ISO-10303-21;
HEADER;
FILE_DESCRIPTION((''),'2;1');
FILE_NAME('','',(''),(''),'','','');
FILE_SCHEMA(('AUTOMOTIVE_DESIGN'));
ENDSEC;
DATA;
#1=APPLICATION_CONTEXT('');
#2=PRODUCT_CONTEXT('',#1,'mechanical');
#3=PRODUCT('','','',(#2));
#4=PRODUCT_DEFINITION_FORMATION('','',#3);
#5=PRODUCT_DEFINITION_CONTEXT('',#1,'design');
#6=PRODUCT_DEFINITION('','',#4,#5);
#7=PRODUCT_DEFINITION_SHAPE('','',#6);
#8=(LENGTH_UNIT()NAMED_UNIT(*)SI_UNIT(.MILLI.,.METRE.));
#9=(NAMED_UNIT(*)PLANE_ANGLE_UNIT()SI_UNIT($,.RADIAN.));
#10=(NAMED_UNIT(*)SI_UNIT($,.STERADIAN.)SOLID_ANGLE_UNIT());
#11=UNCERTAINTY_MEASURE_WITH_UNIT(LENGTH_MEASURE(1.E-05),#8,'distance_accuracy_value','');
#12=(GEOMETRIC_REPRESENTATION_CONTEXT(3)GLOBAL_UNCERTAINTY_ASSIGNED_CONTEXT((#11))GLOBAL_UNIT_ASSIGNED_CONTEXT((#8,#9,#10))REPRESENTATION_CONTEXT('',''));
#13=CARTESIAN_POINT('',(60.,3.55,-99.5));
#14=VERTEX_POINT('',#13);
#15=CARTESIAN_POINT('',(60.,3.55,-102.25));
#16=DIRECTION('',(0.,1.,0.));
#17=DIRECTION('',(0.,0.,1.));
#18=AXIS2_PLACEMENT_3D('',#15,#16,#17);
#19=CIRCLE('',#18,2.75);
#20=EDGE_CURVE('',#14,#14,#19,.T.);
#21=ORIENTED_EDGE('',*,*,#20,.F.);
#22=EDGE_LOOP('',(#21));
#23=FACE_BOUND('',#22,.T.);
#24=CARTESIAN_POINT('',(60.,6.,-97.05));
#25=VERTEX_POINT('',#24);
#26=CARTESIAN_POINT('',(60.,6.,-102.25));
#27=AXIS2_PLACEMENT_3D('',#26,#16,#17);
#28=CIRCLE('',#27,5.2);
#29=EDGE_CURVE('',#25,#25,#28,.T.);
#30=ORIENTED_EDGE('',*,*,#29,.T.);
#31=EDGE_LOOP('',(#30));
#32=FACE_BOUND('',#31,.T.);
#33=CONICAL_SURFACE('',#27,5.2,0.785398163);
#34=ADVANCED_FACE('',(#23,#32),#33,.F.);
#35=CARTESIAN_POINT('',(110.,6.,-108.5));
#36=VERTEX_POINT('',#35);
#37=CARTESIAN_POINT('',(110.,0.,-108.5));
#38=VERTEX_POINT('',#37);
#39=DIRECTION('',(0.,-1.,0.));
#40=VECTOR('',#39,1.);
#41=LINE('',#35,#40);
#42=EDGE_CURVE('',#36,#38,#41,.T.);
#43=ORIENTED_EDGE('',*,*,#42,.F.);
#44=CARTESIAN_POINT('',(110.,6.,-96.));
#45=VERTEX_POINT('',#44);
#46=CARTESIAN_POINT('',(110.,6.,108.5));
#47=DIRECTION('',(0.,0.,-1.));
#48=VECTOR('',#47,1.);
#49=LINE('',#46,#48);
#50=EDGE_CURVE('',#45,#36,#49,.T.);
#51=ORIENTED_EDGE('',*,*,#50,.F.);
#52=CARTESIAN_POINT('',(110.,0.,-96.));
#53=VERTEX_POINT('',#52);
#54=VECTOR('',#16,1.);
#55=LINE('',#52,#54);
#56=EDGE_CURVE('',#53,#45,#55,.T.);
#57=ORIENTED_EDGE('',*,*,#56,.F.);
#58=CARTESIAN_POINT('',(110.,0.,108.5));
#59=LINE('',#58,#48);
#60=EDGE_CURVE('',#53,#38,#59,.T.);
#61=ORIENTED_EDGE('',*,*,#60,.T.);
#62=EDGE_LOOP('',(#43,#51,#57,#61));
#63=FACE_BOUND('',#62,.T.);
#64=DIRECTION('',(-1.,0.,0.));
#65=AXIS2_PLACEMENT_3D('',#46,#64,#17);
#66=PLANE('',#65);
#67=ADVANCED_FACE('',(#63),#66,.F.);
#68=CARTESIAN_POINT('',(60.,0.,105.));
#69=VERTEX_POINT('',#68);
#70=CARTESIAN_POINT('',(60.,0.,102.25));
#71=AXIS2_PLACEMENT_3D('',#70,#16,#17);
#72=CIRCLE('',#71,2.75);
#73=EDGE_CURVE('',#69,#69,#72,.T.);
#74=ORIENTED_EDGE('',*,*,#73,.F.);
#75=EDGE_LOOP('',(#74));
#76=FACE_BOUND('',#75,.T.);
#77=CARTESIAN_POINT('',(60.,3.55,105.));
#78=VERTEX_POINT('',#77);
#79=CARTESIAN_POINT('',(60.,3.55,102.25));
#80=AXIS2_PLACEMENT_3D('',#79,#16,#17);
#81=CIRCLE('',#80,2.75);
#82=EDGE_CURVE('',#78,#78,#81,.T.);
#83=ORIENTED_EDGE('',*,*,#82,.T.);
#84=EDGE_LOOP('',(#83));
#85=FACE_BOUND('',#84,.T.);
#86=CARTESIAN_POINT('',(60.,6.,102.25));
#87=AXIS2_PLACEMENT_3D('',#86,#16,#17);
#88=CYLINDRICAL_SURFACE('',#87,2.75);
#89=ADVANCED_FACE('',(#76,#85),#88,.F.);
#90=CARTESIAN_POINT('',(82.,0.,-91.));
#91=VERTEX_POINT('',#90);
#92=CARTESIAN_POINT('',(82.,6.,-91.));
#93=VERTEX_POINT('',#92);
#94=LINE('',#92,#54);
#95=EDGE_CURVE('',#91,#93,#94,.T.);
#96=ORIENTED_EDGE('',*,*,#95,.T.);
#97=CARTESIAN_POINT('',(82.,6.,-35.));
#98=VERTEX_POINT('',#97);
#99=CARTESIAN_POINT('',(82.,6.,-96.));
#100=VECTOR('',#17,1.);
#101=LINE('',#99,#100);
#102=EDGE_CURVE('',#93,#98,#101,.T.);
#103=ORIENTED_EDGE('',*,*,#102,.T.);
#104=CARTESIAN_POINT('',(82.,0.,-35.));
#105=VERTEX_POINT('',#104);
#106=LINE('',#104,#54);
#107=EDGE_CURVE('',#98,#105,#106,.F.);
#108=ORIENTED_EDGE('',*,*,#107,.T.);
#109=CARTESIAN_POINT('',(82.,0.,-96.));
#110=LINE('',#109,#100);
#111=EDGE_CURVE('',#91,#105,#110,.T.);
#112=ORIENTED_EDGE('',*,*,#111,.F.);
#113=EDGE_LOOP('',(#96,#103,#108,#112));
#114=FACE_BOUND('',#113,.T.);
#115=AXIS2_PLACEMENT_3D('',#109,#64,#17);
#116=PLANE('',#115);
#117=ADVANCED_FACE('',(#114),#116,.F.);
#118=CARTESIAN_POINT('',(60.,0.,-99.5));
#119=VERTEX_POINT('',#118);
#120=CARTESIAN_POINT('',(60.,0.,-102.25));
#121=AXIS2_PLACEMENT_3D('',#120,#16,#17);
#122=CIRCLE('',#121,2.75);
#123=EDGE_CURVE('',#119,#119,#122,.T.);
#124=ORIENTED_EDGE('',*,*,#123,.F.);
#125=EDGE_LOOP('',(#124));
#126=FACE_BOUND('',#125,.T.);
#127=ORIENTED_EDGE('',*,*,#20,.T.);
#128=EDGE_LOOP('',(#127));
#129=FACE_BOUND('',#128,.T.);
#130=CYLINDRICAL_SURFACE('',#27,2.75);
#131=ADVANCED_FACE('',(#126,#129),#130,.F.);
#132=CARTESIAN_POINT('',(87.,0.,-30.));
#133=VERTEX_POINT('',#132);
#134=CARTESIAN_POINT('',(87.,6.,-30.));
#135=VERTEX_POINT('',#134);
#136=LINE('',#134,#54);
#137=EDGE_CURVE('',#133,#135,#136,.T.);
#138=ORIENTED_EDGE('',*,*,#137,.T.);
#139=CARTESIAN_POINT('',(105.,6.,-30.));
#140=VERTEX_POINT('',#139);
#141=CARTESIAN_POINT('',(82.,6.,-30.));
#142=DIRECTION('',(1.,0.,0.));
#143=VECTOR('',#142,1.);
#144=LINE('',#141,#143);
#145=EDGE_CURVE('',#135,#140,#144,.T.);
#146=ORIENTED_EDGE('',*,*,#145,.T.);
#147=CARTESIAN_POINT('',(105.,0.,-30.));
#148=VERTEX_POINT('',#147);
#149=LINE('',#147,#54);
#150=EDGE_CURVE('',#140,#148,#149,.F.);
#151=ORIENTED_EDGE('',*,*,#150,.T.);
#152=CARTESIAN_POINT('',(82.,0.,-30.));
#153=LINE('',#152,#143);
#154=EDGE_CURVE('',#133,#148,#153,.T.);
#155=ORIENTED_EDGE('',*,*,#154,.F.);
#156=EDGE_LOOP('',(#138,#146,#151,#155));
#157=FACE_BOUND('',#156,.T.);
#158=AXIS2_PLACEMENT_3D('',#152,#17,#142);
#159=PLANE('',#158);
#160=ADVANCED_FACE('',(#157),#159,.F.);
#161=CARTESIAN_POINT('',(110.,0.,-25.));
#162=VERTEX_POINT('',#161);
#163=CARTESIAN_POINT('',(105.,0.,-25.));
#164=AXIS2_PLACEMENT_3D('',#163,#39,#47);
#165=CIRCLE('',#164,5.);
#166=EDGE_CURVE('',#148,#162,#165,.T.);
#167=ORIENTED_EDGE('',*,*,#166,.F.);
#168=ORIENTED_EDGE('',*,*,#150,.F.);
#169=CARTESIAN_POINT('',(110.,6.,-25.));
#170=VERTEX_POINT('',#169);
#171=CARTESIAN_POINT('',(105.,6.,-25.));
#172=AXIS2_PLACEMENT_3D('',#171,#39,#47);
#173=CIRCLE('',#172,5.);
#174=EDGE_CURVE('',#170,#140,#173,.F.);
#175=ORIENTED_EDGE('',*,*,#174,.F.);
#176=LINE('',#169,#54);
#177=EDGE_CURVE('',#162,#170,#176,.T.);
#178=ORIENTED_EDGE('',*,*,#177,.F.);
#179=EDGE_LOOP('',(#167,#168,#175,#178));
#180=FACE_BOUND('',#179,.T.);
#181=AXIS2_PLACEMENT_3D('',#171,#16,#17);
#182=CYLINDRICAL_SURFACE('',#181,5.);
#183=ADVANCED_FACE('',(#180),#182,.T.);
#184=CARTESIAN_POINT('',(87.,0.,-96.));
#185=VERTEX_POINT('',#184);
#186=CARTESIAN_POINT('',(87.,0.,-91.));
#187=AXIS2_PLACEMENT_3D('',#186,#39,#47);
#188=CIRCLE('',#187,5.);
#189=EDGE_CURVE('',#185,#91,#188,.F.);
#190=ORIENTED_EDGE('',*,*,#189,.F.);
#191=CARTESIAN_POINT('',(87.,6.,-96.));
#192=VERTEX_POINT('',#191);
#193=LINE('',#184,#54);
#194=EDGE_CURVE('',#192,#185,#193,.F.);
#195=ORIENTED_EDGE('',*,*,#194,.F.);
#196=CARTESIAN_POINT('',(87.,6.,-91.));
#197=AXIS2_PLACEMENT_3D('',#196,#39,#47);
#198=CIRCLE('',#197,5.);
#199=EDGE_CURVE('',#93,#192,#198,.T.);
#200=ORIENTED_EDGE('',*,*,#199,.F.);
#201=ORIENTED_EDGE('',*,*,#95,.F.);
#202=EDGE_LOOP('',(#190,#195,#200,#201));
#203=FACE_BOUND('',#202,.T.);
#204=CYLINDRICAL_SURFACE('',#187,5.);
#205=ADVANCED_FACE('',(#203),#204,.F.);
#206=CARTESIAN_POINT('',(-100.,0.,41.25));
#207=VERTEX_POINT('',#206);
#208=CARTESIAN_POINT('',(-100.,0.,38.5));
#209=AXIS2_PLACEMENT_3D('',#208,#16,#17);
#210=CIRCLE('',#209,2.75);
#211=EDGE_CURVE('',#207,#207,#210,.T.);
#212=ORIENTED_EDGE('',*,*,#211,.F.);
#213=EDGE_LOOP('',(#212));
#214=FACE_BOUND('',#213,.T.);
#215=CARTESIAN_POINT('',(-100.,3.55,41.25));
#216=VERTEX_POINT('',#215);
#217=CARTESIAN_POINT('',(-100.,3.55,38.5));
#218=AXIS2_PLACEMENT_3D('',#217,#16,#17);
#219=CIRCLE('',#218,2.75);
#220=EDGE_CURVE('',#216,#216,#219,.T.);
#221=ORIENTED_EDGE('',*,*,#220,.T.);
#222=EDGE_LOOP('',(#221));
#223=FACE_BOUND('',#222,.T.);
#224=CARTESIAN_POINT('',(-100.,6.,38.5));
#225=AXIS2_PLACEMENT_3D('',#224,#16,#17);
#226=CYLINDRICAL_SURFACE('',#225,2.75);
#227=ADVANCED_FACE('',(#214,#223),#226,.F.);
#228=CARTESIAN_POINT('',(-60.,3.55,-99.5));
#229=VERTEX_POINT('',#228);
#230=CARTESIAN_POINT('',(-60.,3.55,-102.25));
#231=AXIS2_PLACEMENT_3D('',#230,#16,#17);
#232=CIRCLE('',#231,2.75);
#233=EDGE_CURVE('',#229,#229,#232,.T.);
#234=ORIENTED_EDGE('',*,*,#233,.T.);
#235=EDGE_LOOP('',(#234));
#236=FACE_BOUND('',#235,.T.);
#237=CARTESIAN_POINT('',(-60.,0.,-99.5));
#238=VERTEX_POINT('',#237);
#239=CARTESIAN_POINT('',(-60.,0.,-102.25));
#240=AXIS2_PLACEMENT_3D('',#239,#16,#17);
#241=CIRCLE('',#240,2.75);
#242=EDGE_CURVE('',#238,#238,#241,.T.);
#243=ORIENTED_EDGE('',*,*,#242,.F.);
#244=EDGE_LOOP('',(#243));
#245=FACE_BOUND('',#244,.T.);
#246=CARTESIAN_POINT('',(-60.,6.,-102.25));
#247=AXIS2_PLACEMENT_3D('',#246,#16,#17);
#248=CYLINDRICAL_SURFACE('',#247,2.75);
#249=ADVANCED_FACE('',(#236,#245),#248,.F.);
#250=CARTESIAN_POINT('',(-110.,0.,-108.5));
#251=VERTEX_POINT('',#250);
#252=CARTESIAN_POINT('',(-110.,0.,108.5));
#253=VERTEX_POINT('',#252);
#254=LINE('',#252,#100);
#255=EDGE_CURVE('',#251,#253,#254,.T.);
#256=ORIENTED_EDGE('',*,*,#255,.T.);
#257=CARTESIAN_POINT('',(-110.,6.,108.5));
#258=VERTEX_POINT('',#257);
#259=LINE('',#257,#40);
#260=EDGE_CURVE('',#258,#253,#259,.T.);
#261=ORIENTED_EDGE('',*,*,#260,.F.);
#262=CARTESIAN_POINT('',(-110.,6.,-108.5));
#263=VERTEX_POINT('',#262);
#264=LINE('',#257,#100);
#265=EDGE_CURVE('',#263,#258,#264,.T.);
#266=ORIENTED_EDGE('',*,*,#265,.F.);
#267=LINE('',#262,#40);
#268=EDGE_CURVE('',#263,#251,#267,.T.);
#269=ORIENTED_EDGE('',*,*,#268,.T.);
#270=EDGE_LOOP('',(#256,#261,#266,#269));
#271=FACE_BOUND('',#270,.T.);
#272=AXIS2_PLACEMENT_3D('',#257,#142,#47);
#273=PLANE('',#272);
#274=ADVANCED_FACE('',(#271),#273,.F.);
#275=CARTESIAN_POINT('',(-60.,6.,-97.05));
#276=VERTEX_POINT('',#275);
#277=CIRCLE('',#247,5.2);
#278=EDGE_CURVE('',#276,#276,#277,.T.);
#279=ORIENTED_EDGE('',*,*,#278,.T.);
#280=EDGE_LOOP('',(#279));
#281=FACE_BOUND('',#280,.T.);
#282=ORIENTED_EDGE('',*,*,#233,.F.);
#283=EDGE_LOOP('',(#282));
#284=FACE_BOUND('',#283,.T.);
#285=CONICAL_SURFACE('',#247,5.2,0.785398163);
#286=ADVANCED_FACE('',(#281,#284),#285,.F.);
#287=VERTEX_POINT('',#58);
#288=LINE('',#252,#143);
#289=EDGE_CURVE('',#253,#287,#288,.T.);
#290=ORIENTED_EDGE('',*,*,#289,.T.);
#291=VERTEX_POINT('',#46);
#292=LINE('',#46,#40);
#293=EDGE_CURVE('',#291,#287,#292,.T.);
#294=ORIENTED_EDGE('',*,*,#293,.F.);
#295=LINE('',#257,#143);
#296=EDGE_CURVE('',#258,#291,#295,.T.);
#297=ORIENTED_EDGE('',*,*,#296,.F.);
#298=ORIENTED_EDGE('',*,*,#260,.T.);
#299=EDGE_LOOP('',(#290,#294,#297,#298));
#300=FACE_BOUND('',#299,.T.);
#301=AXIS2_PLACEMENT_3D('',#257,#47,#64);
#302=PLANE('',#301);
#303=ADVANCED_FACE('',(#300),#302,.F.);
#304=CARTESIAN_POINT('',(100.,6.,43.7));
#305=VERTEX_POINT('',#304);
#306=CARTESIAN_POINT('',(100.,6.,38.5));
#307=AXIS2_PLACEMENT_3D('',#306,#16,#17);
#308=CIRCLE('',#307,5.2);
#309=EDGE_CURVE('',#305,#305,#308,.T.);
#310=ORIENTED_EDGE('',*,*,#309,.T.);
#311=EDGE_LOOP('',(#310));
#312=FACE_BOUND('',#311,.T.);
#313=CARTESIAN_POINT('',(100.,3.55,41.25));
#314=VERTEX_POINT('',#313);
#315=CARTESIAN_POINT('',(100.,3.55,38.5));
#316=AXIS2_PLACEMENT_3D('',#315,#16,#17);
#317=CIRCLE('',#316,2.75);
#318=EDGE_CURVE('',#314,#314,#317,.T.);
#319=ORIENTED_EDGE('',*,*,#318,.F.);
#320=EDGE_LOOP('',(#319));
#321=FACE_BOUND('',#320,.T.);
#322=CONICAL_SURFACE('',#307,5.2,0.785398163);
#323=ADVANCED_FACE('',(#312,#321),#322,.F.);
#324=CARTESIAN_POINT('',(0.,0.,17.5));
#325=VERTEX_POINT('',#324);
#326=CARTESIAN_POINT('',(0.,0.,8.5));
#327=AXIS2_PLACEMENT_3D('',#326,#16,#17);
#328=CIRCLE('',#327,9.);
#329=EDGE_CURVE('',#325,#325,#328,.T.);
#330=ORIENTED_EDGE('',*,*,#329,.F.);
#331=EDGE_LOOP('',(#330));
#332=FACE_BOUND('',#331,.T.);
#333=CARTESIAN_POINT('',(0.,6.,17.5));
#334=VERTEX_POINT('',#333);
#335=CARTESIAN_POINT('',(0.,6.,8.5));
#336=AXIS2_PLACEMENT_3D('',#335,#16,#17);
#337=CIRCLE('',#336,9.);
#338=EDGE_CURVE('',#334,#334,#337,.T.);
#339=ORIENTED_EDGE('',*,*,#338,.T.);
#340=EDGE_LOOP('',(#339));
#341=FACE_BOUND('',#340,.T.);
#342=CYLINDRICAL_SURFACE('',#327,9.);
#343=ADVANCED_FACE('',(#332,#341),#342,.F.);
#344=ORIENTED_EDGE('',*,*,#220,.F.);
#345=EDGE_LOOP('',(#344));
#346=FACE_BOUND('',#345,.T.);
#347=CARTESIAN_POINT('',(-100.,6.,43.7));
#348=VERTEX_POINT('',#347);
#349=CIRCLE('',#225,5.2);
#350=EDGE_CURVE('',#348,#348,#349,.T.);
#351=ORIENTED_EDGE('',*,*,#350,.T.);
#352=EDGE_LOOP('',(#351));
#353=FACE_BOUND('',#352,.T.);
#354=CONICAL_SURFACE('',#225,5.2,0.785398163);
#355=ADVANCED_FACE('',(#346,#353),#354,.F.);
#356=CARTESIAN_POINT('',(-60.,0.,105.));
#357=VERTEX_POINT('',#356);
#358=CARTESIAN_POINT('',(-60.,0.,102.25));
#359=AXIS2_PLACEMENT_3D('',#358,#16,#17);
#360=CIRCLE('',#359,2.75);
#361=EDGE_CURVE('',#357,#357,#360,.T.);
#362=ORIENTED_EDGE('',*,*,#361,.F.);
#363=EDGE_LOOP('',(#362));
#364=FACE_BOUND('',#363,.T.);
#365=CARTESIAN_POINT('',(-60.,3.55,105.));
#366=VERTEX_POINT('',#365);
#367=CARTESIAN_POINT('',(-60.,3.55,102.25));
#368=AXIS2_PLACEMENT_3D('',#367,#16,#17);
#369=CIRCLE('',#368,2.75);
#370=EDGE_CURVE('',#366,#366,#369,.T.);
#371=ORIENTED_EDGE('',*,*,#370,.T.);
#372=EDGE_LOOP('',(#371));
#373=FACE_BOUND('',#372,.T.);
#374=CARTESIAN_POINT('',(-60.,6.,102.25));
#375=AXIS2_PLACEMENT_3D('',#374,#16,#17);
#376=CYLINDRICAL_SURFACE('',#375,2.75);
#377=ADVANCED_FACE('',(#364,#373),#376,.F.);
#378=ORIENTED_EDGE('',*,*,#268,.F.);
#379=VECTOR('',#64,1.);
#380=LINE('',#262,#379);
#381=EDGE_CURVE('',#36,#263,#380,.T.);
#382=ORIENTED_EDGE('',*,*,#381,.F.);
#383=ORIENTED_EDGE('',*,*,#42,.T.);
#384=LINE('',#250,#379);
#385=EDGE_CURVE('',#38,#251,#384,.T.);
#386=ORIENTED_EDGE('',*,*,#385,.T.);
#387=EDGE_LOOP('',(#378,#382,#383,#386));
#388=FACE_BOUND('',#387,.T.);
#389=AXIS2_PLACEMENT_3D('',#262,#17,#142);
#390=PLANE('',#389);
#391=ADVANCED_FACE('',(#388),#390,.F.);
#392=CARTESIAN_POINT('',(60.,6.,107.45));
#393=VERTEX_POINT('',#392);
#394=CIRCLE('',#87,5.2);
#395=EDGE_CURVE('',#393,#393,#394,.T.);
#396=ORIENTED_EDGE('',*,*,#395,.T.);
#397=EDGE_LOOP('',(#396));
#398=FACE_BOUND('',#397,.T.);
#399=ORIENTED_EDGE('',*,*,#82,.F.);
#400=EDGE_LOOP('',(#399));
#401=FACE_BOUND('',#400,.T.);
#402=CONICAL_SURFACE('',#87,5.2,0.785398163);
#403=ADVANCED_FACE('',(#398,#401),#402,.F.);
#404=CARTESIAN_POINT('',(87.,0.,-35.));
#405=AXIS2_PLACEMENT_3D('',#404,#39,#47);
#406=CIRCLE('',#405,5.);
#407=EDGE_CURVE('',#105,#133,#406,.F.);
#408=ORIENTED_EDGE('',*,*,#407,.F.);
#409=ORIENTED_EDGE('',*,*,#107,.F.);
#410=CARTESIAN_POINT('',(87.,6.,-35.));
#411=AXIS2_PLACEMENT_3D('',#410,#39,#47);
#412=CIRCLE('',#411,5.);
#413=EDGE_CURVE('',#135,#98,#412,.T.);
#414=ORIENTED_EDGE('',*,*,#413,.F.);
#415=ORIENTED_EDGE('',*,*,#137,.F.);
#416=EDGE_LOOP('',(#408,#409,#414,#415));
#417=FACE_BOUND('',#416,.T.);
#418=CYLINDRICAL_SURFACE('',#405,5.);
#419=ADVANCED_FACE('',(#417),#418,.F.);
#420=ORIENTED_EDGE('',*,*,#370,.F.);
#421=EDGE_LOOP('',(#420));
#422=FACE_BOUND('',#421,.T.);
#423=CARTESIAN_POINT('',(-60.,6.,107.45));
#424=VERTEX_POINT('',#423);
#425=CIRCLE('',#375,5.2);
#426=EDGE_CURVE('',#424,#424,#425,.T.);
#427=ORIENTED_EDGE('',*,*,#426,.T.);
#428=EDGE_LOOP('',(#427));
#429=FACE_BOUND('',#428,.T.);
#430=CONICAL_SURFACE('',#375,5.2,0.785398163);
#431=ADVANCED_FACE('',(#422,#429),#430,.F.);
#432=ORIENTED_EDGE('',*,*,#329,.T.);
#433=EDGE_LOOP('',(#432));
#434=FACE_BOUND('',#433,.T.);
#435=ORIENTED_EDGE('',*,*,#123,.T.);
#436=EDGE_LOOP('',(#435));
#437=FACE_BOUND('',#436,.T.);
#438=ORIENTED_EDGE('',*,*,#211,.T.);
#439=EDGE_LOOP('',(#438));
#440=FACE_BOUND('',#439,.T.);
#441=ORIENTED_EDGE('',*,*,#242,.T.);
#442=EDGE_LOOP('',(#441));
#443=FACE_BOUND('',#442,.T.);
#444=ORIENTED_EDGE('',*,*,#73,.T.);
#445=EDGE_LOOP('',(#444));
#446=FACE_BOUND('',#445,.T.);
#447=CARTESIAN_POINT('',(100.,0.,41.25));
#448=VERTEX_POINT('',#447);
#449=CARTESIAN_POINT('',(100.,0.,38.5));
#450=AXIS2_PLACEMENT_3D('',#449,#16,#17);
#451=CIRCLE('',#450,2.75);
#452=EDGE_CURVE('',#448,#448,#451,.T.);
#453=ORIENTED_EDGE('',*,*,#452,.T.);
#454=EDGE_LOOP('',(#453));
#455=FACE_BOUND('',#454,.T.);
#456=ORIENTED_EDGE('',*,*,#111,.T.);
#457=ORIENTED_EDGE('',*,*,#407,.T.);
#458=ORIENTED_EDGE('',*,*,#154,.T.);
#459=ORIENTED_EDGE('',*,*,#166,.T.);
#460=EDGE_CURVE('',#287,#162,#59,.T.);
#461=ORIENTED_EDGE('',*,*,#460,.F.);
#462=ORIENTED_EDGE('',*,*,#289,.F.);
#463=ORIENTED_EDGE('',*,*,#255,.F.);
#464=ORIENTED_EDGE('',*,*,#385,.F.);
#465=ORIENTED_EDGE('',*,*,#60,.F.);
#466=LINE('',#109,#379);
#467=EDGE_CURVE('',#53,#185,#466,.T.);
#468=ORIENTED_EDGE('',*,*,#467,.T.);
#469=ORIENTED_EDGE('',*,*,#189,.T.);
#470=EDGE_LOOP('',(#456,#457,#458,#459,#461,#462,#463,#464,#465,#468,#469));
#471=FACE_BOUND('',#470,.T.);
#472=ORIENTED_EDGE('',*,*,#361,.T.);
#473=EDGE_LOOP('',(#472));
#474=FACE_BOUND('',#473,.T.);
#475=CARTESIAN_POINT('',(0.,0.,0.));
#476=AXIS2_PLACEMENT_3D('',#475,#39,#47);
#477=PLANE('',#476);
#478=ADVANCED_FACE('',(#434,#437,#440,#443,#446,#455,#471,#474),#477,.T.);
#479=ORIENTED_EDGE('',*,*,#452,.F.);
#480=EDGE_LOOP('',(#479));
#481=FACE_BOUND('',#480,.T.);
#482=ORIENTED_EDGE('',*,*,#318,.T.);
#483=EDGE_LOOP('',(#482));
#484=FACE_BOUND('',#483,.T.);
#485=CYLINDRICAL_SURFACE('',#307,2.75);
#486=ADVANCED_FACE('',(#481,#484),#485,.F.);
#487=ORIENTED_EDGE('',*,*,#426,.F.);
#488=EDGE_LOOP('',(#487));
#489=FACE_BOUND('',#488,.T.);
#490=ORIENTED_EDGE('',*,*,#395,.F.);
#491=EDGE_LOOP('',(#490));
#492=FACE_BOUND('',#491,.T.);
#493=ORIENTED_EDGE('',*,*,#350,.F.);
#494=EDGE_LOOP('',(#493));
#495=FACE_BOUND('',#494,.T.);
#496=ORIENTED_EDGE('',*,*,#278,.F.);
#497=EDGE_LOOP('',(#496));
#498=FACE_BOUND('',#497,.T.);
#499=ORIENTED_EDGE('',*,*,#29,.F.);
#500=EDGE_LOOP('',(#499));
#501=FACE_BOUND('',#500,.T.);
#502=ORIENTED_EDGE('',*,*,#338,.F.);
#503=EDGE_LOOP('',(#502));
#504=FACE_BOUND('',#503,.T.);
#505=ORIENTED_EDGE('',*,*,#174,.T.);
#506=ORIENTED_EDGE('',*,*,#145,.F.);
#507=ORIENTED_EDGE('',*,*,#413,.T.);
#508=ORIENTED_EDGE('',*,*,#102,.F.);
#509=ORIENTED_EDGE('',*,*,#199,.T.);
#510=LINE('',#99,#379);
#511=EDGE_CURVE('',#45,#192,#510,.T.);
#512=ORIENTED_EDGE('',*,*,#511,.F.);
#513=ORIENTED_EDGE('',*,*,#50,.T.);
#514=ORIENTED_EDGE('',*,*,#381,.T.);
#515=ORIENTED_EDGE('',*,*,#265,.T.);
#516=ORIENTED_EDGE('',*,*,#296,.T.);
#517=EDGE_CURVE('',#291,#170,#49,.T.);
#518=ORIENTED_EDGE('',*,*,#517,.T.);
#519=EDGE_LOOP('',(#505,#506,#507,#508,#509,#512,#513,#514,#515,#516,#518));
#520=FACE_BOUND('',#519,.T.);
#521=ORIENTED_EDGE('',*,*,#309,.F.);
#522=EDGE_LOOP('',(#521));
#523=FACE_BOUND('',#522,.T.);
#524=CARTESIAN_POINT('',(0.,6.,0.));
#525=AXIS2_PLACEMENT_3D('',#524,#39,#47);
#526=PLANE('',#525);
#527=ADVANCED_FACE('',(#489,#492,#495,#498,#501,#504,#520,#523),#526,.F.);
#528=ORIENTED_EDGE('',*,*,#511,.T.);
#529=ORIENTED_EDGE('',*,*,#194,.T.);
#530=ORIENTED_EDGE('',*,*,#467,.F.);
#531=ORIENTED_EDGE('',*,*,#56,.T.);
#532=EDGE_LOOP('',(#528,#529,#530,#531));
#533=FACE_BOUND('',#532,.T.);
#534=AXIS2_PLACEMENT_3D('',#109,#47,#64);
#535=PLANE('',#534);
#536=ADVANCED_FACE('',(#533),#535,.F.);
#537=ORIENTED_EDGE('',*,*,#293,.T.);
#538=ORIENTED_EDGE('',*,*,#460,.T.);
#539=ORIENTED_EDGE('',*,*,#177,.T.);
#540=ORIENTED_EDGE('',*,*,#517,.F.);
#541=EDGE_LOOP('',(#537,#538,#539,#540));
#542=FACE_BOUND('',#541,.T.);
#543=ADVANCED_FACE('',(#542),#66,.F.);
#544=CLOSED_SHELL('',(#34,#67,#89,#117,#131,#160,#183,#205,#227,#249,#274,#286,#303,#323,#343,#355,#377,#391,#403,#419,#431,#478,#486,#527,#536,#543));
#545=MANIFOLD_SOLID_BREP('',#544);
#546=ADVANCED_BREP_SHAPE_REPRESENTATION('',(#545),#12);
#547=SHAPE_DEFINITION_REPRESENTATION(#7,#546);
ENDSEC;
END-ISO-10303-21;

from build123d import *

# Parameters (mm, degrees)
SKETCH1_W                                = 220
SKETCH1_H                                = 217
BLOCO_DEPTH                              = 6
SKETCH2_R                                = 9
SKETCH2_W                                = 28
SKETCH2_H                                = 66
CORTE_MOTOR_DEPTH                        = 155.622928442
RAIOS_5MM_R                              = 5
FUROS_ESCAREADOS_M5_PASSANTE_D           = 5.5
FUROS_ESCAREADOS_M5_PASSANTE_CSINK_D     = 10.4
FUROS_ESCAREADOS_M5_PASSANTE_CSINK_ANGLE = 90


with BuildPart() as part:
    # Sketch1 → Bloco (new body)
    with BuildSketch(Plane(origin=(0, 0, 0), x_dir=(1, 0, 0), z_dir=(0, 1, 0))):
        Rectangle(SKETCH1_W, SKETCH1_H)
    extrude(amount=BLOCO_DEPTH)

    # Sketch2 → Corte Motor (cut, through all)
    with BuildSketch(Plane(origin=(0, 6, 0), x_dir=(1, 0, 0), z_dir=(0, 1, 0))):
        with Locations(Location((0, -8.5, 0), (0, 0, 270))):
            Circle(SKETCH2_R)
        with Locations((96, 63)):
            Rectangle(SKETCH2_W, SKETCH2_H)
    extrude(amount=-CORTE_MOTOR_DEPTH, mode=Mode.SUBTRACT)

    # Raios 5mm
    raios_5mm_edges = [part.edges().sort_by_distance(p)[0] for p in [
        (82, 3, -30),
        (82, 3, -96),
        (110, 3, -30),
    ]]
    fillet(raios_5mm_edges, radius=RAIOS_5MM_R)

    # Furos Escareados - M5 Passante (through all)
    with Locations(Plane(origin=(0, 6, 0), x_dir=(1, 0, 0), z_dir=(0, 1, 0))):
        with Locations((-100, -38.5), (-60, -102.25), (60, -102.25), (100, -38.5), (-60, 102.25), (60, 102.25)):
            CounterSinkHole(FUROS_ESCAREADOS_M5_PASSANTE_D / 2, FUROS_ESCAREADOS_M5_PASSANTE_CSINK_D / 2, counter_sink_angle=FUROS_ESCAREADOS_M5_PASSANTE_CSINK_ANGLE)


solid = part.part
